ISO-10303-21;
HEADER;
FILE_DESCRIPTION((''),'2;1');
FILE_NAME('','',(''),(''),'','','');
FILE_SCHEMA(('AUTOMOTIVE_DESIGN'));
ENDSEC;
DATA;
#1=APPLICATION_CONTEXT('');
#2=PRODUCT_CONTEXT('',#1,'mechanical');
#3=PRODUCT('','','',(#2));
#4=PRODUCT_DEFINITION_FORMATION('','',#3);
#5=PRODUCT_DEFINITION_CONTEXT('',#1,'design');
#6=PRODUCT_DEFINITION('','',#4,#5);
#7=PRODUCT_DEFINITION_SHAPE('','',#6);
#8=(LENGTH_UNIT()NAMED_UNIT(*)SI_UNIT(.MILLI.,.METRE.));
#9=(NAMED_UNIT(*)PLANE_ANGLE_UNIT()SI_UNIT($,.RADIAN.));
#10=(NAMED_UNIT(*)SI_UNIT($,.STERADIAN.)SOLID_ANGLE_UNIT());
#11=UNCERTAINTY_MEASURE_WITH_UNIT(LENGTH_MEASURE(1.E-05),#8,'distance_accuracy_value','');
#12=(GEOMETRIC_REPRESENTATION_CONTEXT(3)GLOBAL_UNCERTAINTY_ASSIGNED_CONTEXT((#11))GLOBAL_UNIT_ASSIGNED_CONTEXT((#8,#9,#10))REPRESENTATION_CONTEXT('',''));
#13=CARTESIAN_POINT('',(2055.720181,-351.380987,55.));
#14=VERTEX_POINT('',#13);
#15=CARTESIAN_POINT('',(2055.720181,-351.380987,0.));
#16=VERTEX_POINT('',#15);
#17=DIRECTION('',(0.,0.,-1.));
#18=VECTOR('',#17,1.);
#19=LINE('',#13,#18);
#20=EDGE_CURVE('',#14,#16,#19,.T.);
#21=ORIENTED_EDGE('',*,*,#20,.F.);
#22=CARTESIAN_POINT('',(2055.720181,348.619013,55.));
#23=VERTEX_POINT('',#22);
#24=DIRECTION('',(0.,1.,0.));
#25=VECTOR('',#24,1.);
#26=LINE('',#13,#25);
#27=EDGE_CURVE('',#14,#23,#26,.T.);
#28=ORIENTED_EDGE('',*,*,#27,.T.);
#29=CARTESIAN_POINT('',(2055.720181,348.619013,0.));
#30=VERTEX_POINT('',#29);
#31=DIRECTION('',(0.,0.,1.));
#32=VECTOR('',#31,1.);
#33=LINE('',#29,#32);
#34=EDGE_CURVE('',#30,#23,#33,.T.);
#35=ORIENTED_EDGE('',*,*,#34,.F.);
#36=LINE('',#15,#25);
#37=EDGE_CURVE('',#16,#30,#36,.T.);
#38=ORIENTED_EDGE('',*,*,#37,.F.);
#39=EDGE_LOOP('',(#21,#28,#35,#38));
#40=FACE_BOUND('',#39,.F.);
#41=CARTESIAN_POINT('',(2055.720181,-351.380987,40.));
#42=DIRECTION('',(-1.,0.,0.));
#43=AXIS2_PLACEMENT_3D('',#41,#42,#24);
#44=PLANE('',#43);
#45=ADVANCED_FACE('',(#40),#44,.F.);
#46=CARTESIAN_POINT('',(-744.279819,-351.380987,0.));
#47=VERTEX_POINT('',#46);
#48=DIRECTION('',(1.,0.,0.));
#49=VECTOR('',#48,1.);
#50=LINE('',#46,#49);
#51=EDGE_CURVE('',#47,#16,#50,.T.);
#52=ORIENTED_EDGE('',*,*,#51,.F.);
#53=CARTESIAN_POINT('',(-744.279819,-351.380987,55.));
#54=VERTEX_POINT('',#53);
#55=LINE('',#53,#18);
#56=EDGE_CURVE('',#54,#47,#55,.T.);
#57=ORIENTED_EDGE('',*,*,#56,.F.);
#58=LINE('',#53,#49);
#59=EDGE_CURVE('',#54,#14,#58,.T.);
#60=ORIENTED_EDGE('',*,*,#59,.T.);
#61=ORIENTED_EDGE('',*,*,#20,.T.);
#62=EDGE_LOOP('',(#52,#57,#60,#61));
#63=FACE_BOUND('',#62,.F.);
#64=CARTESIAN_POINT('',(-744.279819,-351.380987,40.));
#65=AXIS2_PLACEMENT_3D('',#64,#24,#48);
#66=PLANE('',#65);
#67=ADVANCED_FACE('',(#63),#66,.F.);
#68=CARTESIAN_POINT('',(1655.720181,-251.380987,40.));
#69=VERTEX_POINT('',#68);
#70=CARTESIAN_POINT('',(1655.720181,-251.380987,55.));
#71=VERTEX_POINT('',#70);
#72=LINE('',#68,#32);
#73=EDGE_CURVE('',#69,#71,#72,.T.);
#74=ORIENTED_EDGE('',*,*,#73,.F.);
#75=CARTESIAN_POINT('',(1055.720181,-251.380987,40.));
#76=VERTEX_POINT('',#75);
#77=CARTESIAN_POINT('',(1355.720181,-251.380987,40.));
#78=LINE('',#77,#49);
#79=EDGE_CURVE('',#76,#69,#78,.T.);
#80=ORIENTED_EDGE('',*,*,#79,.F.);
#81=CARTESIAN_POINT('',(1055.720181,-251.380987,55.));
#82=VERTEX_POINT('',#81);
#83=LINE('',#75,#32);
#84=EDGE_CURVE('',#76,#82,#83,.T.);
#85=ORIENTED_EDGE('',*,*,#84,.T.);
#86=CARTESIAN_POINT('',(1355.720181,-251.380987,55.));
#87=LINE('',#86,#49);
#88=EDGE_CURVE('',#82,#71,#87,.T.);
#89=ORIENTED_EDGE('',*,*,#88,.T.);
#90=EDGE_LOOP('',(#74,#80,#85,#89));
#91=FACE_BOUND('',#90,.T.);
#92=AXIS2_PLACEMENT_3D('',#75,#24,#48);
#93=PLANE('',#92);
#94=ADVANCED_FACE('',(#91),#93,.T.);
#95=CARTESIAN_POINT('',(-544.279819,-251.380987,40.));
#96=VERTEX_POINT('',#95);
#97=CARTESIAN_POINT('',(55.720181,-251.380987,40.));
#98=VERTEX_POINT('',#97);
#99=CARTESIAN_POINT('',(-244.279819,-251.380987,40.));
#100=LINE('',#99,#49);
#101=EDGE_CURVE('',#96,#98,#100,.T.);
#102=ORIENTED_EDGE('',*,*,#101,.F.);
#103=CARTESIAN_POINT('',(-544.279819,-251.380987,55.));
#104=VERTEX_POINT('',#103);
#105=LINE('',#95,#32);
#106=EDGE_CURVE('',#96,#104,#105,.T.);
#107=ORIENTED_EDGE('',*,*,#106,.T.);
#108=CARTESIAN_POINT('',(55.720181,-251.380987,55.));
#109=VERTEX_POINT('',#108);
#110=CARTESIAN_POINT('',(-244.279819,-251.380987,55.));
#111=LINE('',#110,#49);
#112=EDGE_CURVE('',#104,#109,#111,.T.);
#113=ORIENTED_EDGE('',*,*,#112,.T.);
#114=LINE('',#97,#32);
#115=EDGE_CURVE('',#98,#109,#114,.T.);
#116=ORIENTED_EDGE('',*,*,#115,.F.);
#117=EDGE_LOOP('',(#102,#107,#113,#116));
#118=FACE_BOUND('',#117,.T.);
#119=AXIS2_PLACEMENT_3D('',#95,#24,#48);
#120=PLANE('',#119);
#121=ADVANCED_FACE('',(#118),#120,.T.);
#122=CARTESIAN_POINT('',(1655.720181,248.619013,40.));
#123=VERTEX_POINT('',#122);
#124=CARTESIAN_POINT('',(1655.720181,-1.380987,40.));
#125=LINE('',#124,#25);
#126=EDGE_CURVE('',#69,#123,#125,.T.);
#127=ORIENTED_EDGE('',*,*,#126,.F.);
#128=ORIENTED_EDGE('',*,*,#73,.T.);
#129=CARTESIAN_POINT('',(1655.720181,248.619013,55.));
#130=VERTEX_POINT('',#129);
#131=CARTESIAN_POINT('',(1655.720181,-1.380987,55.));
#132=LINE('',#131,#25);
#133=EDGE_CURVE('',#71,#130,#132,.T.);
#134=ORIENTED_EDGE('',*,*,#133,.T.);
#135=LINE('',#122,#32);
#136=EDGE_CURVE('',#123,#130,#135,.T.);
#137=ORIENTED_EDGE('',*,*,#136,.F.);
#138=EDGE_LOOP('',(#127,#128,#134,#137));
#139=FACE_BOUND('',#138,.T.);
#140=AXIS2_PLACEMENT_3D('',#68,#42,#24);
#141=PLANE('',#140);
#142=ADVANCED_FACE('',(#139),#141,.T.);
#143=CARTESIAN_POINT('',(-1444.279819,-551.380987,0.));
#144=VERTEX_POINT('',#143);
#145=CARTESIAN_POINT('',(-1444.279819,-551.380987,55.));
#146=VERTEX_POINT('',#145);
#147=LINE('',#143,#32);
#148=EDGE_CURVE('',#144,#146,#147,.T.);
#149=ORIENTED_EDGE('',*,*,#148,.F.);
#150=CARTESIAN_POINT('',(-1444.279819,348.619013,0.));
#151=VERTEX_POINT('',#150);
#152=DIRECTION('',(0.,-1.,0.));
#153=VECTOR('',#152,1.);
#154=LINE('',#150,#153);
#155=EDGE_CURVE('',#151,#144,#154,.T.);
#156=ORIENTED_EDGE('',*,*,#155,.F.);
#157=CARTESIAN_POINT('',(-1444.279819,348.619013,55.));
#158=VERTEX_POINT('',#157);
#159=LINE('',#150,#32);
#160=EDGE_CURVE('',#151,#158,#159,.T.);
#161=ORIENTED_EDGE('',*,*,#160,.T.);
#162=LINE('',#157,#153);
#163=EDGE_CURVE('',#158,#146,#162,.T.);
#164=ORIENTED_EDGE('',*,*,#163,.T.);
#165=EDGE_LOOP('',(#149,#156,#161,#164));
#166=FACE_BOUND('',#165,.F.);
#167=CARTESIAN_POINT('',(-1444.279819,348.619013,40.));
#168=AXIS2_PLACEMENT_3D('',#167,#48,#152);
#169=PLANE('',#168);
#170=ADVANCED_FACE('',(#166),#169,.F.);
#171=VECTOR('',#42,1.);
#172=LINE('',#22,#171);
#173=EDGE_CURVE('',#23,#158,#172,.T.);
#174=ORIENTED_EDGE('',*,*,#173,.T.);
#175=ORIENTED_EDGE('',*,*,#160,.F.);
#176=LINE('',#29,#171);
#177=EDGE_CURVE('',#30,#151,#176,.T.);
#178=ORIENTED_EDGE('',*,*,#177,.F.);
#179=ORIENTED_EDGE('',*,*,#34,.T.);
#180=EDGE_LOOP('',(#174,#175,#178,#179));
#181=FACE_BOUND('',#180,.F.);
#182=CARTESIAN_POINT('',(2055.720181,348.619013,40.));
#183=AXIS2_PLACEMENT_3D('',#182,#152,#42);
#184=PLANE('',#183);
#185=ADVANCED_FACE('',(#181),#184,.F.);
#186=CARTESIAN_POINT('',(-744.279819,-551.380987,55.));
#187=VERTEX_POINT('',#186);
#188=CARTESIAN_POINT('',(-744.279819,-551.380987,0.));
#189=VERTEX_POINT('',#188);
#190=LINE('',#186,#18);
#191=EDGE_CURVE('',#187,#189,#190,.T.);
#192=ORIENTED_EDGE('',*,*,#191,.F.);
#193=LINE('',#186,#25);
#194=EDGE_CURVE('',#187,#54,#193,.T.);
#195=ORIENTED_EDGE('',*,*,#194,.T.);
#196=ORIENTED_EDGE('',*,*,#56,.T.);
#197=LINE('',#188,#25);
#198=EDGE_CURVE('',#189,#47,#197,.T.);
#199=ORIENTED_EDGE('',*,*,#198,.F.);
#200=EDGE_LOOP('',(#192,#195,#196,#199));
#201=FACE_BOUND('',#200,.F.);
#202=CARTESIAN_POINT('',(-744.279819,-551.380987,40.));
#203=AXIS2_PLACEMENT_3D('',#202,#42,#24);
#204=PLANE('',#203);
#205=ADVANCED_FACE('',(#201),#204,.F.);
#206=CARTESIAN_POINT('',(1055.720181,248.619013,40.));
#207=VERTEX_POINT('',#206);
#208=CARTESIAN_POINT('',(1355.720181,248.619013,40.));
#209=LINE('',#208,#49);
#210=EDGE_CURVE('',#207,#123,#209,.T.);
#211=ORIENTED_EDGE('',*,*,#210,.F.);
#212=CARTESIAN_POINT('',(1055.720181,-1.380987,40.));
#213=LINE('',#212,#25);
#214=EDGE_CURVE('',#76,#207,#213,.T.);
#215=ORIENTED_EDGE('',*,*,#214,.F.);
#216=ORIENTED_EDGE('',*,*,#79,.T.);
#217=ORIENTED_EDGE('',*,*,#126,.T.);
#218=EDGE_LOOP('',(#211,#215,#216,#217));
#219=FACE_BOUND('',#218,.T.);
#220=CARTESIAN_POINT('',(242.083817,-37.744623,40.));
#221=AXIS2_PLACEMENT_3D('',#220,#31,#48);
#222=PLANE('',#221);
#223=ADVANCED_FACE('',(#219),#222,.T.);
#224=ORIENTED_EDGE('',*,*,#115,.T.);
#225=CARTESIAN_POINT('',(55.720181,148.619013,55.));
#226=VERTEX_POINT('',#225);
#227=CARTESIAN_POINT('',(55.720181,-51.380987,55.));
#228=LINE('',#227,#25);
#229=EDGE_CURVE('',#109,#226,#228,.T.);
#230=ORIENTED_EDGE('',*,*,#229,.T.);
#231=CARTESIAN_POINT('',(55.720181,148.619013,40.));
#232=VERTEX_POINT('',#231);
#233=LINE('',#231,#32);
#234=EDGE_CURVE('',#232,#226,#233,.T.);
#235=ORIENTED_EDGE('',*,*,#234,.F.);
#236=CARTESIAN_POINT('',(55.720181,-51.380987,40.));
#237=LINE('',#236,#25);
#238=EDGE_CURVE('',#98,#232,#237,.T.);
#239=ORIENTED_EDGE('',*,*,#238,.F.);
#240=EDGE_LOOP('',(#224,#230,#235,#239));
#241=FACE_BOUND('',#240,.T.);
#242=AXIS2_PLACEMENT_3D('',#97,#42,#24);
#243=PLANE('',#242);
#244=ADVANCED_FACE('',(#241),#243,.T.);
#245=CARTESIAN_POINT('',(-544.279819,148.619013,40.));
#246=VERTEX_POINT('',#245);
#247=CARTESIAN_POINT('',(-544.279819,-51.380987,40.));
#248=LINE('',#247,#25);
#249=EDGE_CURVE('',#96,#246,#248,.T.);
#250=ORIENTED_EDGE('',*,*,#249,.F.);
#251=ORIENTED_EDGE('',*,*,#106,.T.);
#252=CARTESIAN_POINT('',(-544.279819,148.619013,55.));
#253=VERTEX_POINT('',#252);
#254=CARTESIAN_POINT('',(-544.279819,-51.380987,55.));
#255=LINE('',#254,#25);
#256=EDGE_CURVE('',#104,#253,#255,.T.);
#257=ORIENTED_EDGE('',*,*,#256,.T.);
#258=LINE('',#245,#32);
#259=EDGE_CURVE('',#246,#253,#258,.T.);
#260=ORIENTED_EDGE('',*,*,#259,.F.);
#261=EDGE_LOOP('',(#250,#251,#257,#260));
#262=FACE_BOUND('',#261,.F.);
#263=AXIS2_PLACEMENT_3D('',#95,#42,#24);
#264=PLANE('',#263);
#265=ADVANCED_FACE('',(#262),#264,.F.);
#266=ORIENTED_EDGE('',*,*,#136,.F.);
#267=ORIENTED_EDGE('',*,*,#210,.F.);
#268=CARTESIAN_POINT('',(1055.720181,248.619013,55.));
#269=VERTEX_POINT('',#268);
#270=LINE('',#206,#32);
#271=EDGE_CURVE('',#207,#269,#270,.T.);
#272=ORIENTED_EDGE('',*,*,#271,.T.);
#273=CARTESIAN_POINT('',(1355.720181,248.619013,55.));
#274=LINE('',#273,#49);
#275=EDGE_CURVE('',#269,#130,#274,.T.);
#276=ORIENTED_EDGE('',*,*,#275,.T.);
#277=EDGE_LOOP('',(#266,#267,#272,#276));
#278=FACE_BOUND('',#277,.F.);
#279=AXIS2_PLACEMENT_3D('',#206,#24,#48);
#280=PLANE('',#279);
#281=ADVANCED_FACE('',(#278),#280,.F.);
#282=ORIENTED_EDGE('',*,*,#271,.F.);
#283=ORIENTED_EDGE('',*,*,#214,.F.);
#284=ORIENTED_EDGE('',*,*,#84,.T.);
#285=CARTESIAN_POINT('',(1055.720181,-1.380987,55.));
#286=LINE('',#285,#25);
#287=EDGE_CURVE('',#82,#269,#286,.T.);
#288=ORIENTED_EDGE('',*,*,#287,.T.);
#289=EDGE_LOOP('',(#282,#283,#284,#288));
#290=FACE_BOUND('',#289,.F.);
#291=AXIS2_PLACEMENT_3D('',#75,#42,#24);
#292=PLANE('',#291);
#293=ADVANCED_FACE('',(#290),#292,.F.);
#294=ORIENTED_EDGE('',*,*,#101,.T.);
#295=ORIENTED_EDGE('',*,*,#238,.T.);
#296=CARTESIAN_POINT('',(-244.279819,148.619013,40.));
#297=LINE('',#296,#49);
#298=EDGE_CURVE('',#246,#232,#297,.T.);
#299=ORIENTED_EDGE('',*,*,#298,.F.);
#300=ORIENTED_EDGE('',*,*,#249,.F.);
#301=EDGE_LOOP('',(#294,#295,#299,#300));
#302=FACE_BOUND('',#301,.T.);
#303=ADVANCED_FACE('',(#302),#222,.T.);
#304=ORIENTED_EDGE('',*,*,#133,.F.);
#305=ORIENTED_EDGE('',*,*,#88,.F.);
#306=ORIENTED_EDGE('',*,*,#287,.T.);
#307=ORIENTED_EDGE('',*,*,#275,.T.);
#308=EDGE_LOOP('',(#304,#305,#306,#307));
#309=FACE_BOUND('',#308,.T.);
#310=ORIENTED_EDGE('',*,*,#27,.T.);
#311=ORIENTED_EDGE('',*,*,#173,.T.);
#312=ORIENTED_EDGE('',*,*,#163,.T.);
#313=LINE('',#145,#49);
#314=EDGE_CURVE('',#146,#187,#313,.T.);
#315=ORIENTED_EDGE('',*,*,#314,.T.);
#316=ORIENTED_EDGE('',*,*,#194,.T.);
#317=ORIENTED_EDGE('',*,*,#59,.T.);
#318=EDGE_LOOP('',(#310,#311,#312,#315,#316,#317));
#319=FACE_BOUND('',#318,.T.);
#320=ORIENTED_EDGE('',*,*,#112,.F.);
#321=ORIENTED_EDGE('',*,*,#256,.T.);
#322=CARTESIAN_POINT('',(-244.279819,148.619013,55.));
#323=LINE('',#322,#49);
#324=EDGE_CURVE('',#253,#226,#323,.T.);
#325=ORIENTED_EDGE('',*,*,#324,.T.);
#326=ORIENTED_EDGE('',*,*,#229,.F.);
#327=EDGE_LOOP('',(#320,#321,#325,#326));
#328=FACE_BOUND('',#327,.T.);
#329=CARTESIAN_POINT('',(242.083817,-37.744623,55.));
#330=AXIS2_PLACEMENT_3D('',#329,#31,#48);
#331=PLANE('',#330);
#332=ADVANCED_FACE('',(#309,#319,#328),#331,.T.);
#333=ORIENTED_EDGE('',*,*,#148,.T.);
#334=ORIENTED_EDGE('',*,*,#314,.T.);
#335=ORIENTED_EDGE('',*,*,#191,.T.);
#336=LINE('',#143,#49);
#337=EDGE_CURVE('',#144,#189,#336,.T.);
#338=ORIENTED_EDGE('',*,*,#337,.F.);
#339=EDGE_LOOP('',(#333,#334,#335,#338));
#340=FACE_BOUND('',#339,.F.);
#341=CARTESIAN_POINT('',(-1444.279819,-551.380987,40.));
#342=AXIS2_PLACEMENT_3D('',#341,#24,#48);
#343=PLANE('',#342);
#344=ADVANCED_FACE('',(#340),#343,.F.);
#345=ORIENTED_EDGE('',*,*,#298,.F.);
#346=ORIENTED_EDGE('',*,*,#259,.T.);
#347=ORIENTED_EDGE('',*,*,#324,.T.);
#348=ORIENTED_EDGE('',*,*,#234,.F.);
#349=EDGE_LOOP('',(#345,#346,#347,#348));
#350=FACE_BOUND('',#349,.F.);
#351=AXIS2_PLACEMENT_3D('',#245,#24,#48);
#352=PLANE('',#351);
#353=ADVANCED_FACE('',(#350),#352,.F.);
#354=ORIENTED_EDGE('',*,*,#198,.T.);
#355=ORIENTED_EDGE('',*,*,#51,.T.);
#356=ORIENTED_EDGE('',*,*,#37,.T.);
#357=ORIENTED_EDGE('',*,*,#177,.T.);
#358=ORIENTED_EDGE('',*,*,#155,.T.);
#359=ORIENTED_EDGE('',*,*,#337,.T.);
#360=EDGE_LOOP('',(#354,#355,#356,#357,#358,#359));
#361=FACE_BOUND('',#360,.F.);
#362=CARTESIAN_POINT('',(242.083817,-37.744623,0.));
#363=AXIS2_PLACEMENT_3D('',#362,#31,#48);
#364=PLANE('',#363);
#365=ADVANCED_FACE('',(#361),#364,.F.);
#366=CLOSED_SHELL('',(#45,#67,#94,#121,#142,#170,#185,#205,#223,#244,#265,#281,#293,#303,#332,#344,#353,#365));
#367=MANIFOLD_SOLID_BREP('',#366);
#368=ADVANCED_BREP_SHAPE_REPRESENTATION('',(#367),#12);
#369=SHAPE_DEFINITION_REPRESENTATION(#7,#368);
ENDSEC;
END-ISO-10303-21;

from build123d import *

# Parameters (mm, degrees)
F1_DEPTH = 40
F2_W     = 600
F2_H     = 400
F2_H_2   = 500
F3_DEPTH = 15


with BuildPart() as f1:
    # F0 (on Top) → F1 (new body)
    with BuildSketch(Plane.XY):
        Polygon((2055.7201809571, 348.6190134659), (-744.2798190429, 348.6190134659), (-1444.2798190429, 348.6190134659), (-1444.2798190429, -551.3809865341), (-744.2798190429, -551.3809865341), (-744.2798190429, -351.3809865341), (2055.7201809571, -351.3809865341), align=None)
    extrude(amount=F1_DEPTH)

    # F2 (on face) → F3 (join)
    with BuildSketch(Plane.XY.offset(40)):
        Polygon((2055.7201809571, -351.3809865341), (2055.7201809571, 348.6190134659), (-1444.2798190429, 348.6190134659), (-1444.2798190429, -551.3809865341), (-744.2798190429, -551.3809865341), (-744.2798190429, -351.3809865341), align=None)
        with Locations((-244.2798190429, -51.3809865341)):
            Rectangle(F2_W, F2_H, mode=Mode.SUBTRACT)
        with Locations((1355.7201809571, -1.3809865341)):
            Rectangle(F2_W, F2_H_2, mode=Mode.SUBTRACT)
    extrude(amount=F3_DEPTH)


solid = f1.part
